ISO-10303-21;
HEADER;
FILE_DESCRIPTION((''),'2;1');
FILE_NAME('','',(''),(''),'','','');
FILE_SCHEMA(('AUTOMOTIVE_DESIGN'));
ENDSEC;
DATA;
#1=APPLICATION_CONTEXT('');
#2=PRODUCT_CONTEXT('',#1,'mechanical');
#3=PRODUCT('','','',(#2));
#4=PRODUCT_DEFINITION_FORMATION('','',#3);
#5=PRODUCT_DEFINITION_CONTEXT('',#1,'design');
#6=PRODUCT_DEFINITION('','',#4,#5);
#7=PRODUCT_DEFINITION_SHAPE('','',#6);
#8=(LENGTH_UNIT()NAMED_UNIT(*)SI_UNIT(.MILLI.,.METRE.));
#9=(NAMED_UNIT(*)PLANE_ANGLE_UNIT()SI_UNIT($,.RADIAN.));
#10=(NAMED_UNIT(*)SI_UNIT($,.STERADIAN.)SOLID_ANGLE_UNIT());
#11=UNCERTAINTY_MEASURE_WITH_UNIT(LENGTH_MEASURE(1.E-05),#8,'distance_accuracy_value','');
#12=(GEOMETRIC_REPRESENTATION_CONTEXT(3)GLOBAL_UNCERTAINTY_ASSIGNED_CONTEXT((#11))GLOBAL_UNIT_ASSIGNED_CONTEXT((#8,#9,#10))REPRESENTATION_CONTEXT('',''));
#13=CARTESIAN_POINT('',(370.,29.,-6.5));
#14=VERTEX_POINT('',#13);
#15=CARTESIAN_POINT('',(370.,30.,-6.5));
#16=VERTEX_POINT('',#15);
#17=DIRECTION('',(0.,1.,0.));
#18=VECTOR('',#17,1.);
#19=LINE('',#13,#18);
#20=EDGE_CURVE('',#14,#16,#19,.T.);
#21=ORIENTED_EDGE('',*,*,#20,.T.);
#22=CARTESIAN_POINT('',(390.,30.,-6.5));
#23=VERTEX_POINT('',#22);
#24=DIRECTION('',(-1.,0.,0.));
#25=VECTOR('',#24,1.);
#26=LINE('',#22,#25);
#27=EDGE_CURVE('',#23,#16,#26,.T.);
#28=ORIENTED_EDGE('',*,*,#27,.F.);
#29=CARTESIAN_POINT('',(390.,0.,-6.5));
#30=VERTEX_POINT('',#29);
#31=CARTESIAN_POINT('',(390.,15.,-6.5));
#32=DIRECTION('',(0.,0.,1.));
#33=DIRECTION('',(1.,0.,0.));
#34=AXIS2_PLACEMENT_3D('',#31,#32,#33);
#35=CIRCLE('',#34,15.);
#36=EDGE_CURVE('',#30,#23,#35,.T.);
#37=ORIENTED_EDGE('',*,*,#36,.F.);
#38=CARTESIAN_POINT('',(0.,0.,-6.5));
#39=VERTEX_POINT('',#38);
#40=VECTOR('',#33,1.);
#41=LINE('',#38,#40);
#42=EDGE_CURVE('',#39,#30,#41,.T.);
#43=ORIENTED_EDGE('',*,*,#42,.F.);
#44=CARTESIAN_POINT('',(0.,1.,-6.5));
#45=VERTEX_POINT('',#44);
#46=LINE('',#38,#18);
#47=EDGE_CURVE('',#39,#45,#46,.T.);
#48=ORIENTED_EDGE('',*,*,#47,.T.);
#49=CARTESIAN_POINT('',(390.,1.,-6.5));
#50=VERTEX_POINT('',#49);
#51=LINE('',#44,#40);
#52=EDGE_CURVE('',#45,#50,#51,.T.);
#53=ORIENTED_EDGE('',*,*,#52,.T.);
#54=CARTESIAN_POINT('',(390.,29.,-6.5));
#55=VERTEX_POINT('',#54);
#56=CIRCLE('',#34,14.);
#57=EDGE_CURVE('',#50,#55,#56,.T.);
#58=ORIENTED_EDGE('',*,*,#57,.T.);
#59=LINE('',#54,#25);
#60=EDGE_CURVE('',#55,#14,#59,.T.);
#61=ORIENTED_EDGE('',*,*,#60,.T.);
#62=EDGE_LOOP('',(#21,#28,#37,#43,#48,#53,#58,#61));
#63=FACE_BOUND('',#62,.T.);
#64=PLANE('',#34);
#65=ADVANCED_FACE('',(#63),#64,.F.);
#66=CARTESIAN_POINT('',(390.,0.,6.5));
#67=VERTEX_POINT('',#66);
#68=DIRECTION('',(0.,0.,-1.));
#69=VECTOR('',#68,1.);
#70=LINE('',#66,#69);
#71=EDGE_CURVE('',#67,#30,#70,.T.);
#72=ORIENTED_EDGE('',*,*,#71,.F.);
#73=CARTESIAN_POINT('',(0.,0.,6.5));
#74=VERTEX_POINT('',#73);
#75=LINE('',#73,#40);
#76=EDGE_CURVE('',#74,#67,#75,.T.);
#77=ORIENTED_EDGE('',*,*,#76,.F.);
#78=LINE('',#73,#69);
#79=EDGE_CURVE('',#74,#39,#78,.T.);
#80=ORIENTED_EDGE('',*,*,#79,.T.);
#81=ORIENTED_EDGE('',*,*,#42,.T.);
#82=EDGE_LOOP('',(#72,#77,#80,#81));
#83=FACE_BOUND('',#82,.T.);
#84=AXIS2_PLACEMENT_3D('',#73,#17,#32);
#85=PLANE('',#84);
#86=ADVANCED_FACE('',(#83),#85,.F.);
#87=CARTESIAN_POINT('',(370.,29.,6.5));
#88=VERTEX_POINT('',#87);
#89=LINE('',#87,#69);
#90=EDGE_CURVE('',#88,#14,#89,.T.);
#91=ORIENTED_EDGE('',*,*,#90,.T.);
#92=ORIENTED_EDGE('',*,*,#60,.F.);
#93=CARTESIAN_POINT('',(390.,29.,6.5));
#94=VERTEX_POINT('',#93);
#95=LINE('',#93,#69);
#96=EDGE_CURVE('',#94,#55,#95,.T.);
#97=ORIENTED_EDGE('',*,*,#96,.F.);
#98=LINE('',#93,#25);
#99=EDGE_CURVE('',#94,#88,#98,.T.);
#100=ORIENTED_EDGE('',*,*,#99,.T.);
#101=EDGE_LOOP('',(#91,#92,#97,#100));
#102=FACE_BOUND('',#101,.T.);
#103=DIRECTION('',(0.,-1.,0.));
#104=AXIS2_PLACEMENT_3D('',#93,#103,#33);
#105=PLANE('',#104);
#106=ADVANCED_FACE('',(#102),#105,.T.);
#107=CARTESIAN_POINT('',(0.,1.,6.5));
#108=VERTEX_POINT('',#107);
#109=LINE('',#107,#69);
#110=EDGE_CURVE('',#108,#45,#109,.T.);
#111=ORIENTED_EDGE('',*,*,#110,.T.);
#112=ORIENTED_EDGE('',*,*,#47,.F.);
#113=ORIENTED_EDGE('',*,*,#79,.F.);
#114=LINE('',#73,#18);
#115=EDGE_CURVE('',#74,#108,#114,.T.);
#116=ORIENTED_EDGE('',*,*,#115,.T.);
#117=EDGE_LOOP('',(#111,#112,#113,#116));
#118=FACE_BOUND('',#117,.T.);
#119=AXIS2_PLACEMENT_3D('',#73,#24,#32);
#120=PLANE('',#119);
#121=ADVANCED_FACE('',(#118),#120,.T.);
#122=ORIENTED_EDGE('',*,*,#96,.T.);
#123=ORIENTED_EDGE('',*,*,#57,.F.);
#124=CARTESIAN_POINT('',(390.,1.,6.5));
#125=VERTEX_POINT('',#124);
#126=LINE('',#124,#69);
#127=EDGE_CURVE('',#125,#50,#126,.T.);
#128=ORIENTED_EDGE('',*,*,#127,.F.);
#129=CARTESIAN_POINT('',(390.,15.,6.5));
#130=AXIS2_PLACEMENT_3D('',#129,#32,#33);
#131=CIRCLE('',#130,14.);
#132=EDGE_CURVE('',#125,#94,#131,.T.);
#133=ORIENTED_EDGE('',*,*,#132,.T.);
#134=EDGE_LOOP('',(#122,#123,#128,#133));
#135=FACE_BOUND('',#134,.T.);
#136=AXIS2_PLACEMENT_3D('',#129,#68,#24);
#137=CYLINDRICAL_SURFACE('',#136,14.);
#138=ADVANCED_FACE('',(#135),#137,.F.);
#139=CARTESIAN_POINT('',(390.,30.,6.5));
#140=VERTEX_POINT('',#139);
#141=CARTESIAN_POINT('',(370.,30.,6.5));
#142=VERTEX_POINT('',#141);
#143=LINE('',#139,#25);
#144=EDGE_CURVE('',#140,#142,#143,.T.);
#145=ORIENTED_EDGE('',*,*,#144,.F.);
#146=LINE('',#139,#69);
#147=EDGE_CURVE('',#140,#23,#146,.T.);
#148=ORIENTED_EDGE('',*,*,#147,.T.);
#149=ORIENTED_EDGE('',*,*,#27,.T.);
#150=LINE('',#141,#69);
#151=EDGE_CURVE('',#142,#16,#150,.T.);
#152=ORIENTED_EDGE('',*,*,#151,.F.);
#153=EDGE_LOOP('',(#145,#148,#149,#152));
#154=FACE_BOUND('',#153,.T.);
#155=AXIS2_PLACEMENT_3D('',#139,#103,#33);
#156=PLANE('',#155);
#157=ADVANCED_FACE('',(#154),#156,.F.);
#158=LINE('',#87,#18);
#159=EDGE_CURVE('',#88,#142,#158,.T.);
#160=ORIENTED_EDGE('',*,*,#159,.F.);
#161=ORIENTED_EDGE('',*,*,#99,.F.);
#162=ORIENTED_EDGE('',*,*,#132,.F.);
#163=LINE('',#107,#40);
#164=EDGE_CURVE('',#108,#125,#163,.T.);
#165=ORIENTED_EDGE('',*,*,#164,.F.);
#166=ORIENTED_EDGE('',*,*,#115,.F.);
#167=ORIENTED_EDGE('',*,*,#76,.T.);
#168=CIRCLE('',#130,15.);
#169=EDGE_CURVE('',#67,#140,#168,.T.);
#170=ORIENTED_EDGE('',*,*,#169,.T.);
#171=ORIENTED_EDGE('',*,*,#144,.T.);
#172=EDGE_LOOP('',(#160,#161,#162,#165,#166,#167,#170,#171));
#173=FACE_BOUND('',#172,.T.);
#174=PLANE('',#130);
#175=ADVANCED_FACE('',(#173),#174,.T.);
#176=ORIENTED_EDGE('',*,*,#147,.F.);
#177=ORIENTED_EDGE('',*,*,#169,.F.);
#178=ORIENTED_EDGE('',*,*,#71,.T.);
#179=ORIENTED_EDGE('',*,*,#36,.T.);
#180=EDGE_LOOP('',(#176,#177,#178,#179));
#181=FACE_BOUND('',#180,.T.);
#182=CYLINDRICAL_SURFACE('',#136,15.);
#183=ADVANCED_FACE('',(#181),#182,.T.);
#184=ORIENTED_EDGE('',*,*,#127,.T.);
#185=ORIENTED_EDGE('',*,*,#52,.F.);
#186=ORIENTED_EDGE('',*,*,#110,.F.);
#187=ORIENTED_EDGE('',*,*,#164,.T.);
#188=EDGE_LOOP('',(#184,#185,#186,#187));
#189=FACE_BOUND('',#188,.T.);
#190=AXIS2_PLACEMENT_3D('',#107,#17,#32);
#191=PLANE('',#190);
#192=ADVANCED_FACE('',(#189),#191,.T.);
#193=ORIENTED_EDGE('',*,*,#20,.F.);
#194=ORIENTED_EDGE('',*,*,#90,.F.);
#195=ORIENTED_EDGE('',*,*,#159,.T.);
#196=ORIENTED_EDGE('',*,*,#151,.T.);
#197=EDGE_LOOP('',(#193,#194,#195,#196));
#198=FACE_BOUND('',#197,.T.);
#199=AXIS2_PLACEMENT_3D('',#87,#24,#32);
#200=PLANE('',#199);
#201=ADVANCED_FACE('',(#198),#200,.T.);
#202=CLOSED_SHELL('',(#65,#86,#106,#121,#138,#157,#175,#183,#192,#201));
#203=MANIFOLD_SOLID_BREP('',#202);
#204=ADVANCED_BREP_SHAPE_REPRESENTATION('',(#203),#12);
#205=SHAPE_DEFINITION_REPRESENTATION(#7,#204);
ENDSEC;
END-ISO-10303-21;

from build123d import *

# Parameters (mm, degrees)
EXTRUDE_THIN1_DEPTH = 6.5


with BuildPart() as part:
    # Sketch1 → Extrude-Thin1 (new, symmetric)
    with BuildSketch(Plane.XY):
        with BuildLine():
            Line((0, 0), (390, 0))
            ThreePointArc((390, 0), (405, 15), (390, 30))
            Line((390, 30), (370, 30))
            Line((370, 30), (370, 29))
            Line((370, 29), (390, 29))
            ThreePointArc((390, 29), (404, 15), (390, 1))
            Line((390, 1), (0, 1))
            Line((0, 1), (0, 0))
        make_face()
    extrude(amount=EXTRUDE_THIN1_DEPTH, both=True)


solid = part.part
